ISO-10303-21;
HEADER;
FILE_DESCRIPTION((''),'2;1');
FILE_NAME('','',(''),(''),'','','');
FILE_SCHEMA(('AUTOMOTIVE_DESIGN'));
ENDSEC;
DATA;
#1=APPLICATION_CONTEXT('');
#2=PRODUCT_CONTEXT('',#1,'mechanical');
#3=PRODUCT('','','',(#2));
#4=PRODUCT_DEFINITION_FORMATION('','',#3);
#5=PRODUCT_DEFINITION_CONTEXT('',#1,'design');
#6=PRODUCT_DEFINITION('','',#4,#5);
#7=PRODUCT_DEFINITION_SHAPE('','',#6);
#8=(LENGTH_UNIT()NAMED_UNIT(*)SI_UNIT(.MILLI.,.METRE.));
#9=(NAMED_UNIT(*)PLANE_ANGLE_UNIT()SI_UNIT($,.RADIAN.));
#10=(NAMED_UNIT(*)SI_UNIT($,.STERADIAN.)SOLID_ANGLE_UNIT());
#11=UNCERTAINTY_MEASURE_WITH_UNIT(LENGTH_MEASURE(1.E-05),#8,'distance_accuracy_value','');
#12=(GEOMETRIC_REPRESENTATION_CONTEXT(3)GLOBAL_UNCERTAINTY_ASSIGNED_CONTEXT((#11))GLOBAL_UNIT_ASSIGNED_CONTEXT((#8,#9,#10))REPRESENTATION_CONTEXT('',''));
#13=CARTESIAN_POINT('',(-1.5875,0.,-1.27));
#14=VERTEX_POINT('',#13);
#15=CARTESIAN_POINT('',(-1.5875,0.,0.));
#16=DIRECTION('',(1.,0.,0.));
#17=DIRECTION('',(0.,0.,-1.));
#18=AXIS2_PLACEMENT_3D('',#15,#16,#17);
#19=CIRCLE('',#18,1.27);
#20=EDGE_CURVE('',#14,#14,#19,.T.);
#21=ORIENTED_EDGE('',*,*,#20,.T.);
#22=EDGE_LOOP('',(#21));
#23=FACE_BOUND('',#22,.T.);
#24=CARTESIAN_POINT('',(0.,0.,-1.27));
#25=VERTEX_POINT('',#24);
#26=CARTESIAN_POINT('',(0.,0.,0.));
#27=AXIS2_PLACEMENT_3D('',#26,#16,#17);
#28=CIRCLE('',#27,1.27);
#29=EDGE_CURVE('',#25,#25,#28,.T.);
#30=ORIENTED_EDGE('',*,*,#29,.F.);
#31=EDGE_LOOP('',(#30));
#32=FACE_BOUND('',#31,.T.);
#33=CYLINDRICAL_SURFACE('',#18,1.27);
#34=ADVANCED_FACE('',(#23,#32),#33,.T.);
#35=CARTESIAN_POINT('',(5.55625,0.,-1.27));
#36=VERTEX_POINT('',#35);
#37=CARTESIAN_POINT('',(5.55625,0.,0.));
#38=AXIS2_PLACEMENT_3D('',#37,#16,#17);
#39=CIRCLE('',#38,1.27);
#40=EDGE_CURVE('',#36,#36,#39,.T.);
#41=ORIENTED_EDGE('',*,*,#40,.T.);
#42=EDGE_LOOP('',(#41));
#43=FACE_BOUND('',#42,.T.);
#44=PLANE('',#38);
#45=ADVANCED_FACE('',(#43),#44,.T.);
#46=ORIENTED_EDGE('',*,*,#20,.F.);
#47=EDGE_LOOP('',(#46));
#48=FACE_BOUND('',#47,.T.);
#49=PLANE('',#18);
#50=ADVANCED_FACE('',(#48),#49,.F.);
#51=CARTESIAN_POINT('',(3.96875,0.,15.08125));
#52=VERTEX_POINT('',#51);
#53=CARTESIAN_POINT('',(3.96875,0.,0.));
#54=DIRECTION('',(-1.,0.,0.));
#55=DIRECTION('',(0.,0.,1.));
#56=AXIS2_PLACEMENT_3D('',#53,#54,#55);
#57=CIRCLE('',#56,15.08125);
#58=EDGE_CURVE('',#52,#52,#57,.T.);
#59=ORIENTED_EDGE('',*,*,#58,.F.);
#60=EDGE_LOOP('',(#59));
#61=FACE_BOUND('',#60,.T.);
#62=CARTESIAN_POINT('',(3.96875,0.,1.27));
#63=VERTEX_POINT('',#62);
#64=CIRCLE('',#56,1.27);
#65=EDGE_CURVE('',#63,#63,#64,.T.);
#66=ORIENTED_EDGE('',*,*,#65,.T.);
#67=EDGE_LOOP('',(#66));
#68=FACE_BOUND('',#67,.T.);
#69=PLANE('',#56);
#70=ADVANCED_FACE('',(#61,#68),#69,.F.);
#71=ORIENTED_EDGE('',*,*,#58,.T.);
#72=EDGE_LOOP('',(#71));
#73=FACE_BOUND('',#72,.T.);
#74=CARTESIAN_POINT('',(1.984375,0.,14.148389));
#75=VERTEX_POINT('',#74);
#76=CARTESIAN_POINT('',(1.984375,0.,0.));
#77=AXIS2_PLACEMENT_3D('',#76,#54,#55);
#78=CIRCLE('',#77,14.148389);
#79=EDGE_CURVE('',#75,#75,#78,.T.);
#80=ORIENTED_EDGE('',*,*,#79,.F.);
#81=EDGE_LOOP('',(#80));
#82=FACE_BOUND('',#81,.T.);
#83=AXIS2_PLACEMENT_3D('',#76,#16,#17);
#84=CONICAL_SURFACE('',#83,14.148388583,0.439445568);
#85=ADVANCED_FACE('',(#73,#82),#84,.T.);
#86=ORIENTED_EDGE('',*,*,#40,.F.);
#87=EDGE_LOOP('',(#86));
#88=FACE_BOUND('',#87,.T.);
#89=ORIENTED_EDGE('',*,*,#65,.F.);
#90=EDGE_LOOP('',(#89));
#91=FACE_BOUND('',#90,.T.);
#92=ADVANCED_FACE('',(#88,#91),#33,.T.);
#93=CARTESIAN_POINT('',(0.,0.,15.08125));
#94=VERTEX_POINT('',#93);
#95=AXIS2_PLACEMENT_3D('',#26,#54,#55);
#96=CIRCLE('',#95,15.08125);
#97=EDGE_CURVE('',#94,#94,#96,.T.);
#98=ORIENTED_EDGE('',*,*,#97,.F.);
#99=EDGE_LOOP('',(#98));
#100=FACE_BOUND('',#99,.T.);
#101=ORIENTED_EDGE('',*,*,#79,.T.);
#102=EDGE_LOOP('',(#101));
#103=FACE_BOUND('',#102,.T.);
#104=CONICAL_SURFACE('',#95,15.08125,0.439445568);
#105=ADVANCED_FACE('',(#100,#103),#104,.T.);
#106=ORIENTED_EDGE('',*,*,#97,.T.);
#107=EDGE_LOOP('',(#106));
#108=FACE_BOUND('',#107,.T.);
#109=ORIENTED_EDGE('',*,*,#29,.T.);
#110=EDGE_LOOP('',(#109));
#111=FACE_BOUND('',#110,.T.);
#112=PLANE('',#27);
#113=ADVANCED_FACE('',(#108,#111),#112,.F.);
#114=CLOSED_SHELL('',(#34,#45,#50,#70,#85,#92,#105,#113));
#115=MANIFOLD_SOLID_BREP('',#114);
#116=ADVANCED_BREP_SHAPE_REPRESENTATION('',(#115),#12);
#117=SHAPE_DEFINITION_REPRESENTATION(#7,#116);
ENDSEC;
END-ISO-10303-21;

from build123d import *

# Parameters (mm, degrees)
SKETCH2_R                = 1.27
BOSS_EXTRUDE1_DEPTH      = 1.5875
BOSS_EXTRUDE1_DEPTH_BACK = 5.55625


with BuildPart() as part:
    # Sketch1 → Revolve1 (revolve)
    with BuildSketch(Plane(origin=(0, 0, 0), x_dir=(1, 0, 0), z_dir=(0, 1, 0))):
        Polygon((0, 0), (3.96875, 0), (3.96875, 15.08125), (1.984375, 14.148388583), (0, 15.08125), align=None)
    revolve(axis=Axis((0, 0, 0), (1, 0, 0)))

    # Sketch2 → Boss-Extrude1 (add, two sides)
    with BuildSketch(Plane(origin=(3.96875, 0, 0), x_dir=(0, 0, -1), z_dir=(1, 0, 0))) as boss_extrude1_sk:
        Circle(SKETCH2_R)
    extrude(amount=BOSS_EXTRUDE1_DEPTH)
    extrude(boss_extrude1_sk.sketch, amount=-BOSS_EXTRUDE1_DEPTH_BACK)


solid = part.part
